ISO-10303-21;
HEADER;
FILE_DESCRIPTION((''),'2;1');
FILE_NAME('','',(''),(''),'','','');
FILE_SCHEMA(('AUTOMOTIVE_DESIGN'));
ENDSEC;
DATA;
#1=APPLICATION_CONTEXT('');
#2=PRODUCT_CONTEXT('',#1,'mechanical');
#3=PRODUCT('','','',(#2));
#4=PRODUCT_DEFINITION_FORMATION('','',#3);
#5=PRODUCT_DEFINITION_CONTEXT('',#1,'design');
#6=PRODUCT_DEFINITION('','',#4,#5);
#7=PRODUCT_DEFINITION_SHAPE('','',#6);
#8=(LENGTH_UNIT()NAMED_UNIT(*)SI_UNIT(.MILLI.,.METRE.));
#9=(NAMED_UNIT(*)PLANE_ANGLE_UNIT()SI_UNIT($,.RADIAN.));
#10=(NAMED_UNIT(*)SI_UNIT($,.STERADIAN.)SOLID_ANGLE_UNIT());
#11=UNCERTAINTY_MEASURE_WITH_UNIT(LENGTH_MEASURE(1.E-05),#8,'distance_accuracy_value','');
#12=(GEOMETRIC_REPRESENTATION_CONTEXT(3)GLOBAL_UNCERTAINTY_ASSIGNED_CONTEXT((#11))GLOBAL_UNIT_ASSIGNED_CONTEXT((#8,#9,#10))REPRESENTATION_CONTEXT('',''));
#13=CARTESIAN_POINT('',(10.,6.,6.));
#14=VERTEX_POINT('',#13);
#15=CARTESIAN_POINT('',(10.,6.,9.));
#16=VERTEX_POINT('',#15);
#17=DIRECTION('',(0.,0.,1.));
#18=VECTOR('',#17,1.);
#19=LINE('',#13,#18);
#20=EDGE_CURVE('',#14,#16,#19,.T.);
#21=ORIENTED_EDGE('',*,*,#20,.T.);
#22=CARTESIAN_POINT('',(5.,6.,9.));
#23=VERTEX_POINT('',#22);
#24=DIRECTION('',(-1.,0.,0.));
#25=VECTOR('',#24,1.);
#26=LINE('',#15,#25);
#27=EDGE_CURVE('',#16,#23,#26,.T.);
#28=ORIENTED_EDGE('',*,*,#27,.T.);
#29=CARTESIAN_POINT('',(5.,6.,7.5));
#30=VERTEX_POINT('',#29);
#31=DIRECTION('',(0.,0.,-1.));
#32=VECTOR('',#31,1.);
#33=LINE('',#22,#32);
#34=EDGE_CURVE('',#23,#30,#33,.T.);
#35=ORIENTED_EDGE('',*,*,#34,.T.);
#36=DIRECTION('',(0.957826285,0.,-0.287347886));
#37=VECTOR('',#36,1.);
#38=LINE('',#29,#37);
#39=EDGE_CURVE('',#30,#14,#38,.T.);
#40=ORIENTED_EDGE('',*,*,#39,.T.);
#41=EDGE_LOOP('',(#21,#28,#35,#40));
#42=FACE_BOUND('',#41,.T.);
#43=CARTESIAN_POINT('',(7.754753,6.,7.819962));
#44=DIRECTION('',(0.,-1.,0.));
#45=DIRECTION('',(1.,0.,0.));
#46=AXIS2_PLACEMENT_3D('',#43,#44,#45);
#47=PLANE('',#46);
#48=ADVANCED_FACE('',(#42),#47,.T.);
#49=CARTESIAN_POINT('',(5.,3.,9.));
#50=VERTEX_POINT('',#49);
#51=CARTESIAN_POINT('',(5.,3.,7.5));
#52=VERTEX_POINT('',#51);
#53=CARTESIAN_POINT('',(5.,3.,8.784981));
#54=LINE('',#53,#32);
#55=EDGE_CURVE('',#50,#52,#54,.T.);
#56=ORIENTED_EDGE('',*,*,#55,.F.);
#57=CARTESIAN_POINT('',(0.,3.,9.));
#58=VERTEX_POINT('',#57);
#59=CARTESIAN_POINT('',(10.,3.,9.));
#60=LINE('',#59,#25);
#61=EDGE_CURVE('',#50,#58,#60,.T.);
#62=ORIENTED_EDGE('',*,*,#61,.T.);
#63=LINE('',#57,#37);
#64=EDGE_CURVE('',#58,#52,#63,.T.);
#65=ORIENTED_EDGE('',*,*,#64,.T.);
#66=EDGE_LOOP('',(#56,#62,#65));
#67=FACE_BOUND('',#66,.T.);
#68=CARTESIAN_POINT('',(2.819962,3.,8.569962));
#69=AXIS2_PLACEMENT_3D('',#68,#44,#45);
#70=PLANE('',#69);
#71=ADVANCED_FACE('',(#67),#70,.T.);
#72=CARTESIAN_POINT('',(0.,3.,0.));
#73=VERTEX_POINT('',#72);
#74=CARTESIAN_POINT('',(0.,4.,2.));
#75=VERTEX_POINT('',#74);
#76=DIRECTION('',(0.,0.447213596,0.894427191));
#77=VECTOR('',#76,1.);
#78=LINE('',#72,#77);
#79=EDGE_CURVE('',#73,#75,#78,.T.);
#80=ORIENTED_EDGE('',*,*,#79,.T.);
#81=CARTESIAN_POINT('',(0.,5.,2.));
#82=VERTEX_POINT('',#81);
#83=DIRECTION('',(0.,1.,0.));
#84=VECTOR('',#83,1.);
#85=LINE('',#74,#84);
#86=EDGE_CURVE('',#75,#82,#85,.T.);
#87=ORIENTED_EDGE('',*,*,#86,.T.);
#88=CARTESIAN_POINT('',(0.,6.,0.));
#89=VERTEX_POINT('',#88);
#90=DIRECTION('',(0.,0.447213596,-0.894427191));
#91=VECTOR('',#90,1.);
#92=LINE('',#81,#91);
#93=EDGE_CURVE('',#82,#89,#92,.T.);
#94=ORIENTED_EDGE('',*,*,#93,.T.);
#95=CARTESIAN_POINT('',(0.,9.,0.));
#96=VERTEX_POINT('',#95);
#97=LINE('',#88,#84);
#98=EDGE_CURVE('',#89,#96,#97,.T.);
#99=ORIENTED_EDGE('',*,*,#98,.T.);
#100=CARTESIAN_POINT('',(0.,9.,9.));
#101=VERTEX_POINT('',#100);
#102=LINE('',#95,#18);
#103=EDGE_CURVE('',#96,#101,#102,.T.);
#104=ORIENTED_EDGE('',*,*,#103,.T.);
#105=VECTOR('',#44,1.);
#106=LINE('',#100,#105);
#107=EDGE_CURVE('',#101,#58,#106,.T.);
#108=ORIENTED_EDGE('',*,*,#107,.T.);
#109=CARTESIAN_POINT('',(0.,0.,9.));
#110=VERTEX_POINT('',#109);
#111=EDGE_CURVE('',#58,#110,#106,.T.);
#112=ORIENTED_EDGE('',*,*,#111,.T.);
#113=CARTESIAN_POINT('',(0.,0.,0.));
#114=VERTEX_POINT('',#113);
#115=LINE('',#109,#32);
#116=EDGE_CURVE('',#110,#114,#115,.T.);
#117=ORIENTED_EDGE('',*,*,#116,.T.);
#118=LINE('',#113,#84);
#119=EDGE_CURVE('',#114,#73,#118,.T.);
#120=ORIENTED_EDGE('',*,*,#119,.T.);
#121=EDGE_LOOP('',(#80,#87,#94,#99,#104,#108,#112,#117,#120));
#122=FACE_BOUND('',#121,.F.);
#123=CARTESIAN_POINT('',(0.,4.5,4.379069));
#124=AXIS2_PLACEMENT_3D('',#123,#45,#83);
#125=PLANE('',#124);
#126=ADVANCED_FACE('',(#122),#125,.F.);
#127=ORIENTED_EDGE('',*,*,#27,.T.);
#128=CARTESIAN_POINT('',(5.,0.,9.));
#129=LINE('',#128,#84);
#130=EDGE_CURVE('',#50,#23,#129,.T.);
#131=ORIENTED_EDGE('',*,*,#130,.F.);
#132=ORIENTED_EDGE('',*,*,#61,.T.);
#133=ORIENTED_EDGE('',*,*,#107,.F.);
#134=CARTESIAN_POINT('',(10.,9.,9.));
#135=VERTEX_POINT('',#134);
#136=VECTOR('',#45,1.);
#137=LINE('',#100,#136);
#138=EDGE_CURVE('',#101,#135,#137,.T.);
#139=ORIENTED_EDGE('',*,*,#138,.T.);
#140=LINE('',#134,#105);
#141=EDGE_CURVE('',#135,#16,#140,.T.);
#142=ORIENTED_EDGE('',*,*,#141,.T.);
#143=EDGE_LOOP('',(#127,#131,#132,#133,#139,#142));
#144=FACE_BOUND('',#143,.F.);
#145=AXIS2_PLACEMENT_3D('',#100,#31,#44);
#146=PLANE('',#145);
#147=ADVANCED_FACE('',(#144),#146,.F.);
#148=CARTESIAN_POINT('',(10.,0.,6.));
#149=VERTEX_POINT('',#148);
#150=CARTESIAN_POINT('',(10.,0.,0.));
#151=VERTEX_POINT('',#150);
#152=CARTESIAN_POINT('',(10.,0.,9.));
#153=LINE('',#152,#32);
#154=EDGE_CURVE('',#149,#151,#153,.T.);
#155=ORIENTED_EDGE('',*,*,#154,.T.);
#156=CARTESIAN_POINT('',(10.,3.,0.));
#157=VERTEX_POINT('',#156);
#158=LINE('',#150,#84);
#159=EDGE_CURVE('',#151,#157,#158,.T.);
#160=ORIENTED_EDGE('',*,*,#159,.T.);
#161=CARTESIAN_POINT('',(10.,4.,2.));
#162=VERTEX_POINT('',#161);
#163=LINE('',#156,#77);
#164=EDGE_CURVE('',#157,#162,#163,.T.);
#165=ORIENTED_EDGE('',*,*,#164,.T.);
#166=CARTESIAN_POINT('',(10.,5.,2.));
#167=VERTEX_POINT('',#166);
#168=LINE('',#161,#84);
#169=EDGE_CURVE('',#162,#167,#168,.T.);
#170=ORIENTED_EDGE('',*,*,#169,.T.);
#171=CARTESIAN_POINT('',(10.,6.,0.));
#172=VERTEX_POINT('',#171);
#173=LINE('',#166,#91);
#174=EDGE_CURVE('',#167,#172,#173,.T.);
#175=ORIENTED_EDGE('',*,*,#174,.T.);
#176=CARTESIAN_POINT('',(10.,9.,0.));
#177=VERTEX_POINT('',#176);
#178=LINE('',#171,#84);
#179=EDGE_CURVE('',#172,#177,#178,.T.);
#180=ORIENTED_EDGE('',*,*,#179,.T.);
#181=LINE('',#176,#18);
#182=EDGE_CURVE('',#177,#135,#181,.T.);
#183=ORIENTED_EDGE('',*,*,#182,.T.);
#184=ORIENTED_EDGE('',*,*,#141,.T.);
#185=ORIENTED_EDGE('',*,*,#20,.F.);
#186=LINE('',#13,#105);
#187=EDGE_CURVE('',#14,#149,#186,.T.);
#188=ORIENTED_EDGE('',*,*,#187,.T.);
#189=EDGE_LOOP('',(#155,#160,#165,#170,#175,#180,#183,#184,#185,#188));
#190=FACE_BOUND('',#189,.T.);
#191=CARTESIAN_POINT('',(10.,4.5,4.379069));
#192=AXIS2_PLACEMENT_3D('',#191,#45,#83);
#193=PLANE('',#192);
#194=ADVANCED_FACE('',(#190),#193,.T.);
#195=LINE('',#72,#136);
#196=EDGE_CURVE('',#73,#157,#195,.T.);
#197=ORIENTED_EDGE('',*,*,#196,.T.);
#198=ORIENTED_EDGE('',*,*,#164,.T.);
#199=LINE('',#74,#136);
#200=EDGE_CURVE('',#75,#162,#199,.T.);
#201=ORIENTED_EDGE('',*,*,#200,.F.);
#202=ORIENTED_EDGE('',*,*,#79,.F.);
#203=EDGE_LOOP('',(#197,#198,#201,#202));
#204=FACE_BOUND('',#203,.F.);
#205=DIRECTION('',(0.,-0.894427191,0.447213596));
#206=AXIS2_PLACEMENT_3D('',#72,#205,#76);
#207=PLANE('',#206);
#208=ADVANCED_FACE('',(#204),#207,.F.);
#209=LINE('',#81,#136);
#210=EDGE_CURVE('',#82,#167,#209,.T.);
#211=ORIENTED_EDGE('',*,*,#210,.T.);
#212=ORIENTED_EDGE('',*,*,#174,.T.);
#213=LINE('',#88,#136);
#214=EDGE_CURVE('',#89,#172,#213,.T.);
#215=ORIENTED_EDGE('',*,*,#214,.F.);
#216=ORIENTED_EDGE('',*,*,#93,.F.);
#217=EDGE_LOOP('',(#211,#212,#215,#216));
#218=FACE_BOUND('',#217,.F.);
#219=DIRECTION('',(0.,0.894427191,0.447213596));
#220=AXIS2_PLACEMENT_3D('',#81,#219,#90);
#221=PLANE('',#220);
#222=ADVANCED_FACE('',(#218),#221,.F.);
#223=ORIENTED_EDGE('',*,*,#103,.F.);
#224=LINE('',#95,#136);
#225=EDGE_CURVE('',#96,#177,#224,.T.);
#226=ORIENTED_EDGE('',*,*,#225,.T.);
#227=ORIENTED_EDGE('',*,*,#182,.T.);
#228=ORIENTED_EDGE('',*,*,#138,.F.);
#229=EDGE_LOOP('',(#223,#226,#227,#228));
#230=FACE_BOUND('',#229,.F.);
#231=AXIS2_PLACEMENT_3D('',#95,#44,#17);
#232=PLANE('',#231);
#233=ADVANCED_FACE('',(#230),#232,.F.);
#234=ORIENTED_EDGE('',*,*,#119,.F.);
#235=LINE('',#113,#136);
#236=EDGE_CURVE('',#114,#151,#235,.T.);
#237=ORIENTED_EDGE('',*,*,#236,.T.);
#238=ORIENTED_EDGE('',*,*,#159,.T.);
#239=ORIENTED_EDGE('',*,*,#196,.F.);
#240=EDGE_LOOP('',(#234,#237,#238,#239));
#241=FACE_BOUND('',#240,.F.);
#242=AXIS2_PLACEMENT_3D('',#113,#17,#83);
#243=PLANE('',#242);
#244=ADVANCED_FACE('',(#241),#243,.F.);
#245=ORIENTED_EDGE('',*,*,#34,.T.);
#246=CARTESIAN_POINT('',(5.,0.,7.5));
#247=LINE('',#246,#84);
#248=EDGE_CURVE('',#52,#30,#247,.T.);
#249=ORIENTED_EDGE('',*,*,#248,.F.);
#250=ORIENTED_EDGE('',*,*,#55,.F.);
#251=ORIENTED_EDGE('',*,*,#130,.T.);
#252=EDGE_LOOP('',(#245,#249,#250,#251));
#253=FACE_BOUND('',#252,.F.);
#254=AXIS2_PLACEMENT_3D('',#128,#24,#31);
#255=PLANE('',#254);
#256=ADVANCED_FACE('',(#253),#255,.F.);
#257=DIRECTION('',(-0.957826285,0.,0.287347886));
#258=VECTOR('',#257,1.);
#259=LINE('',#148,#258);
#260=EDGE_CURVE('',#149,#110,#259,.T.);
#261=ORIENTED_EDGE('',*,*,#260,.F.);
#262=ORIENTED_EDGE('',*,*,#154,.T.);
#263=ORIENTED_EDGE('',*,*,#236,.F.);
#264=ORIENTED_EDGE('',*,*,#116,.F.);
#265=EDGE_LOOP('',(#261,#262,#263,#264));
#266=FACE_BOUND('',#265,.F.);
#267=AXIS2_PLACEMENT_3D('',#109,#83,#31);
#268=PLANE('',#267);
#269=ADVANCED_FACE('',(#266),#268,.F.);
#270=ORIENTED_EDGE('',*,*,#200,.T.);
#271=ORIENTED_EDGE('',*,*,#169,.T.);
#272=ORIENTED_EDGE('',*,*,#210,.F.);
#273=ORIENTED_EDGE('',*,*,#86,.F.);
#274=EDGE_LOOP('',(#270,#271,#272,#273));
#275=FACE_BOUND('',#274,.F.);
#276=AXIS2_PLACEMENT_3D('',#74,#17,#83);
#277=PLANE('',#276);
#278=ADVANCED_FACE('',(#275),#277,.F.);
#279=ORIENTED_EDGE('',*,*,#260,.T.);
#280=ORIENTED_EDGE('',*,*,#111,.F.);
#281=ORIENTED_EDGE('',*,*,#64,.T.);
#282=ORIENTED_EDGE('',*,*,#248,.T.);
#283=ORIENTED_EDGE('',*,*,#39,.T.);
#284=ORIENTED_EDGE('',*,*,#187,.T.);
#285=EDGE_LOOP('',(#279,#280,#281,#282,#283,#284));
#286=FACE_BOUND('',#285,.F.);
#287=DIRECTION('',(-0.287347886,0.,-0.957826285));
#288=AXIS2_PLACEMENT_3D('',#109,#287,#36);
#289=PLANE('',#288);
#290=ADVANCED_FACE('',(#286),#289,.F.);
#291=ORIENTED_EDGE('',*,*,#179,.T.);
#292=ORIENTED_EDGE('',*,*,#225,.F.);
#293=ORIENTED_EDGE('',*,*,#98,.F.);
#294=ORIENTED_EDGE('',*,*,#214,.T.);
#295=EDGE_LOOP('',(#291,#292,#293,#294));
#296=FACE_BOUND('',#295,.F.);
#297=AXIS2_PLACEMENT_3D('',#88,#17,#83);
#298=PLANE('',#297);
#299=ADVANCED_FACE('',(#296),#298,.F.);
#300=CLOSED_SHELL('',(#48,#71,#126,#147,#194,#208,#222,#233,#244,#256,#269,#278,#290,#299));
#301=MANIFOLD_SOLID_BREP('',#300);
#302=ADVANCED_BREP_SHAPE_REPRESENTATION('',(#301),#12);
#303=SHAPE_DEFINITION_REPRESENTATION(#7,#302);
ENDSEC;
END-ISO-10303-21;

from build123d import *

# Parameters (mm, degrees)
F1_DEPTH = 10
F3_DEPTH = 3
F4_DEPTH = 6


with BuildPart() as f1:
    # F0 (on Right) → F1 (new body)
    with BuildSketch(Plane.YZ):
        Polygon((0, 9), (0, 0), (3, 0), (4, 2), (4.5, 2), (5, 2), (6, 0), (9, 0), (9, 9), align=None)
    extrude(amount=F1_DEPTH)

    # F2 (on face) → F3 (cut)
    with BuildSketch(Plane.XZ):
        Polygon((5, 9), (0, 9), (5, 7.5), align=None)
        Polygon((5, 9), (5, 7.5), (10, 6), (10, 9), align=None)
    extrude(amount=-F3_DEPTH, mode=Mode.SUBTRACT)

    # F2 (on face) → F4 (cut)
    with BuildSketch(Plane.XZ):
        Polygon((5, 9), (5, 7.5), (10, 6), (10, 9), align=None)
    extrude(amount=-F4_DEPTH, mode=Mode.SUBTRACT)


solid = f1.part
